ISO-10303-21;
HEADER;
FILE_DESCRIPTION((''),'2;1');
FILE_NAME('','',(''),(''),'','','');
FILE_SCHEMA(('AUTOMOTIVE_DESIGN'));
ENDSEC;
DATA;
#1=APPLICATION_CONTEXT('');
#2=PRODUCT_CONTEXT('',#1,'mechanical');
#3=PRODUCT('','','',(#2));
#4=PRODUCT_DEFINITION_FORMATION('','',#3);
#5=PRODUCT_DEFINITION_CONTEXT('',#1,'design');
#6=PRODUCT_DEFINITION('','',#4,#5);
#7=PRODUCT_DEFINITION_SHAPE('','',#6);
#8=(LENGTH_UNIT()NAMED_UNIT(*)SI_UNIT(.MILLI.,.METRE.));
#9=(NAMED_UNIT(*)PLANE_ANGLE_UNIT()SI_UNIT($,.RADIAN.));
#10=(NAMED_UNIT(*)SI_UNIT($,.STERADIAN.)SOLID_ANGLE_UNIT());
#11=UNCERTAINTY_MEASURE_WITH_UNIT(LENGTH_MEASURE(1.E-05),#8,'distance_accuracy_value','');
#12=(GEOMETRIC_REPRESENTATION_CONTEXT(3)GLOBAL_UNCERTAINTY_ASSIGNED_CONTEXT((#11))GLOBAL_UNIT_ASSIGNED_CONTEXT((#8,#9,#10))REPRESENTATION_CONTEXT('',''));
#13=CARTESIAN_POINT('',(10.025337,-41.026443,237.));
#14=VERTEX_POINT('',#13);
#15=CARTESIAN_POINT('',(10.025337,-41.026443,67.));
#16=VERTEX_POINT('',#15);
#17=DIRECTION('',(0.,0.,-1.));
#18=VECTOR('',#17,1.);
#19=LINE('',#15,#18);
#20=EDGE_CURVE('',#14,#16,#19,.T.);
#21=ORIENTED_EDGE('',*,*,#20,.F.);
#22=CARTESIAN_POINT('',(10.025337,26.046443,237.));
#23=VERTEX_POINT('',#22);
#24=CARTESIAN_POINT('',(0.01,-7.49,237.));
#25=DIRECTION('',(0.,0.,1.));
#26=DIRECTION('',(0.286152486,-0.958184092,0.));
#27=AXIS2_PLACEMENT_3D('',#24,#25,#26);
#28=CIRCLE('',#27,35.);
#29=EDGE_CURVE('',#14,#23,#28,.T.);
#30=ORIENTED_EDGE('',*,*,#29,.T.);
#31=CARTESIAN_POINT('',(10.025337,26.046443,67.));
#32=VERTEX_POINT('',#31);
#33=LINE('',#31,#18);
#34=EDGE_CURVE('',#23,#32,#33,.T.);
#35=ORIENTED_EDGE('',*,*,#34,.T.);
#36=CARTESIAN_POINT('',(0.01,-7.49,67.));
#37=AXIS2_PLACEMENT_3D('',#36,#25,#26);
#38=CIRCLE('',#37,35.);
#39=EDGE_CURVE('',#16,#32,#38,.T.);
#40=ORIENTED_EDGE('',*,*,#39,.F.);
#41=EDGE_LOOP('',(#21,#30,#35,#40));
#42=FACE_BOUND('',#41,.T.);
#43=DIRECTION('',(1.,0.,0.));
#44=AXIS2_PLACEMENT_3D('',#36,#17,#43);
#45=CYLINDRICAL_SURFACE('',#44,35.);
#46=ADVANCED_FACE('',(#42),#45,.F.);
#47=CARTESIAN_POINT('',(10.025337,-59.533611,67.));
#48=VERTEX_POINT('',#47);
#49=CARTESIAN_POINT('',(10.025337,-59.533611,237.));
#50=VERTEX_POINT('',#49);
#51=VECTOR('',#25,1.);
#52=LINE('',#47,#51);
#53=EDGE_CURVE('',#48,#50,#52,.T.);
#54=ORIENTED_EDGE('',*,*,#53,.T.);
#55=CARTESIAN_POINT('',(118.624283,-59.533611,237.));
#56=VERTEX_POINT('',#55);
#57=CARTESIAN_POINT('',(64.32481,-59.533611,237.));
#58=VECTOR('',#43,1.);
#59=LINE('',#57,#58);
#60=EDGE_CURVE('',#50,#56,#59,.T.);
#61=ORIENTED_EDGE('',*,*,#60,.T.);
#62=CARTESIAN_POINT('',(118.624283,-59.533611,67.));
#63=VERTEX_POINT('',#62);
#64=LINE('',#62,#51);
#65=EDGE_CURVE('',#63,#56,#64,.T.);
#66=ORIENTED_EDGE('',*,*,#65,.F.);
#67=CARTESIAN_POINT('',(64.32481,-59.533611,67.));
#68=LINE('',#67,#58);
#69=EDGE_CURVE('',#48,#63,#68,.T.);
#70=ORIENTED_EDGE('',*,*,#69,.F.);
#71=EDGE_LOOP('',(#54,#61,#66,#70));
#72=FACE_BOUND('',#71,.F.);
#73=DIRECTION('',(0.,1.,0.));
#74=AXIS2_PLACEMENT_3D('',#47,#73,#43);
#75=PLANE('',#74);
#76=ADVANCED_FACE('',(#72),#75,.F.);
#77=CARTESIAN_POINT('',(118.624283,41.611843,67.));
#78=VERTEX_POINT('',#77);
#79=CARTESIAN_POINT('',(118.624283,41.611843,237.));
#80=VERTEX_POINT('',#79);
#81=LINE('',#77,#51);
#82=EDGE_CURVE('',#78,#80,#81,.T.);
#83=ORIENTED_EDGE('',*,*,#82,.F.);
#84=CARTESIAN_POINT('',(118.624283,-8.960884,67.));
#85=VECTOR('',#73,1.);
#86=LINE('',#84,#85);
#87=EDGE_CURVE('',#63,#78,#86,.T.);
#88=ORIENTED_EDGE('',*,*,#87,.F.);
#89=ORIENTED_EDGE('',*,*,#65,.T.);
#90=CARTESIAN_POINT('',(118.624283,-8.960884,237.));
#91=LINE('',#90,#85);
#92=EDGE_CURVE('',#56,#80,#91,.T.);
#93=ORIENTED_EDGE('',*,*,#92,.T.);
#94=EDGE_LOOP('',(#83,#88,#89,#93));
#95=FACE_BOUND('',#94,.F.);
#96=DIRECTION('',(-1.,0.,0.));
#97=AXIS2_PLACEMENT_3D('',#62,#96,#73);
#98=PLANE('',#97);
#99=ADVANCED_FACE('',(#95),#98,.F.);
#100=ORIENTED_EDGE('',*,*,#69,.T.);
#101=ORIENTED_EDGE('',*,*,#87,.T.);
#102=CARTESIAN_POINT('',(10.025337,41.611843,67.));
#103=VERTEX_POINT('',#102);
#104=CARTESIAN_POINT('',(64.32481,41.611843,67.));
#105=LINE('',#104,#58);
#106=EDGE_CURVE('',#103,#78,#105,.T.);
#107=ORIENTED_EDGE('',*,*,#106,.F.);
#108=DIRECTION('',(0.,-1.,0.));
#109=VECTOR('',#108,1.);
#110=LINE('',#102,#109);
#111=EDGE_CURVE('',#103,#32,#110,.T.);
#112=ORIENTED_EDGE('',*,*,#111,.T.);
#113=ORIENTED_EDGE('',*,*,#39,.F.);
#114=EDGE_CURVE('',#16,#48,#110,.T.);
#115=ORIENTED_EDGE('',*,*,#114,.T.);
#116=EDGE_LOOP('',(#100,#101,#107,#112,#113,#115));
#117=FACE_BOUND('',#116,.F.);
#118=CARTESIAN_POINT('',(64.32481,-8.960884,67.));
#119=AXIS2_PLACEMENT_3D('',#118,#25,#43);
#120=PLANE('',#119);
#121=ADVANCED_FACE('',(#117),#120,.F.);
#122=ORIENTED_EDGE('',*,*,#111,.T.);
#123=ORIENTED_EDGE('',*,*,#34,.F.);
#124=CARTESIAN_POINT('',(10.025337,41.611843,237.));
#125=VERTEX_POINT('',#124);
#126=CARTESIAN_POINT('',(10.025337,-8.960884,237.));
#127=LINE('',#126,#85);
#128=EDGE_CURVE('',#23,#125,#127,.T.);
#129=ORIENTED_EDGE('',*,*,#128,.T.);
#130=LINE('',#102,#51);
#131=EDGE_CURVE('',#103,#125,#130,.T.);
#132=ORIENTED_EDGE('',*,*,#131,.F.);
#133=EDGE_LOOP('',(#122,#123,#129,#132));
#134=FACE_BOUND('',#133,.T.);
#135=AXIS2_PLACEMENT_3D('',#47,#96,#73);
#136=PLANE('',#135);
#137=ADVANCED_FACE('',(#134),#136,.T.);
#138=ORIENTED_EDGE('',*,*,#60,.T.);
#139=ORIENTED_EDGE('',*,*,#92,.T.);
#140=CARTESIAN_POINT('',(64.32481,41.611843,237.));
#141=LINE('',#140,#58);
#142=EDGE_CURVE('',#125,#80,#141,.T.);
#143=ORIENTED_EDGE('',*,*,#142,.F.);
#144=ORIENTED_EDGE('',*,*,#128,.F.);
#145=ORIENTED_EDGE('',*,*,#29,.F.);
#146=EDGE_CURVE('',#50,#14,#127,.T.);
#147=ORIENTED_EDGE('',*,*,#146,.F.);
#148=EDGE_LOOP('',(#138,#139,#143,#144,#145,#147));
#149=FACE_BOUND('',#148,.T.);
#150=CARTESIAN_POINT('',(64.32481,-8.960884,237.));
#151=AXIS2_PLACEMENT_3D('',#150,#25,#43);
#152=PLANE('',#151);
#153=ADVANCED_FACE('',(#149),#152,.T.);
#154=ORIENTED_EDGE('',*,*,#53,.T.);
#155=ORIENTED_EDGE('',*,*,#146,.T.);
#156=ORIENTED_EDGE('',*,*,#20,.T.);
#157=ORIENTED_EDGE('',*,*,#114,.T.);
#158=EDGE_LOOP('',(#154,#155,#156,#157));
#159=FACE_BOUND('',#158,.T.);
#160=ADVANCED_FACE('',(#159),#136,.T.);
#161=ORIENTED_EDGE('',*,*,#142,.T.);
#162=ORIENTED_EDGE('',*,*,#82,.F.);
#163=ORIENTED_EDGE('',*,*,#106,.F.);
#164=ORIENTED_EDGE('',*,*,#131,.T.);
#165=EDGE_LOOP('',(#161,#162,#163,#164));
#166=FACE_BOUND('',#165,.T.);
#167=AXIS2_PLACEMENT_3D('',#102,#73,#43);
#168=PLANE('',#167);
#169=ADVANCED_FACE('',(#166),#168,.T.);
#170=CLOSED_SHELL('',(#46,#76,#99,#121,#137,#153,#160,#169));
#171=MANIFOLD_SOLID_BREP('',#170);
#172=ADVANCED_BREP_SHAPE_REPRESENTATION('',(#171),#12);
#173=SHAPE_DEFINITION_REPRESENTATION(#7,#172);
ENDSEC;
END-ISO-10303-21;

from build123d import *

# Parameters (mm, degrees)
SKETCH017_W          = 108.598946
SKETCH017_H          = 101.145454
PAD007_DEPTH         = 170
SKETCH018_R          = 35
POCKET011_DEPTH      = 0.001
POCKET012_DEPTH      = 0.001
POCKET012_DEPTH_BACK = 170.001


with BuildPart() as part:
    # Sketch017 → Pad007 (new body)
    with BuildSketch(Plane.XY):
        with Locations((64.32481, -8.960884)):
            Rectangle(SKETCH017_W, SKETCH017_H)
    extrude(amount=PAD007_DEPTH)

    # Sketch018 → Pocket011 (cut, through all)
    with BuildSketch(Plane.XY):
        with Locations((0.01, -7.49)):
            Circle(SKETCH018_R)
    extrude(amount=-POCKET011_DEPTH, mode=Mode.SUBTRACT)

    # Sketch018 → Pocket012 (cut, two sides)
    with BuildSketch(Plane.XY) as pocket012_sk:
        with Locations((0.01, -7.49)):
            Circle(SKETCH018_R)
    extrude(amount=-POCKET012_DEPTH, mode=Mode.SUBTRACT)
    extrude(pocket012_sk.sketch, amount=POCKET012_DEPTH_BACK, mode=Mode.SUBTRACT)


with BuildPart() as part_1:
    # Body005 placement: moved
    add(part.part.moved(Location((0, 0, 67))))


solid = part_1.part
